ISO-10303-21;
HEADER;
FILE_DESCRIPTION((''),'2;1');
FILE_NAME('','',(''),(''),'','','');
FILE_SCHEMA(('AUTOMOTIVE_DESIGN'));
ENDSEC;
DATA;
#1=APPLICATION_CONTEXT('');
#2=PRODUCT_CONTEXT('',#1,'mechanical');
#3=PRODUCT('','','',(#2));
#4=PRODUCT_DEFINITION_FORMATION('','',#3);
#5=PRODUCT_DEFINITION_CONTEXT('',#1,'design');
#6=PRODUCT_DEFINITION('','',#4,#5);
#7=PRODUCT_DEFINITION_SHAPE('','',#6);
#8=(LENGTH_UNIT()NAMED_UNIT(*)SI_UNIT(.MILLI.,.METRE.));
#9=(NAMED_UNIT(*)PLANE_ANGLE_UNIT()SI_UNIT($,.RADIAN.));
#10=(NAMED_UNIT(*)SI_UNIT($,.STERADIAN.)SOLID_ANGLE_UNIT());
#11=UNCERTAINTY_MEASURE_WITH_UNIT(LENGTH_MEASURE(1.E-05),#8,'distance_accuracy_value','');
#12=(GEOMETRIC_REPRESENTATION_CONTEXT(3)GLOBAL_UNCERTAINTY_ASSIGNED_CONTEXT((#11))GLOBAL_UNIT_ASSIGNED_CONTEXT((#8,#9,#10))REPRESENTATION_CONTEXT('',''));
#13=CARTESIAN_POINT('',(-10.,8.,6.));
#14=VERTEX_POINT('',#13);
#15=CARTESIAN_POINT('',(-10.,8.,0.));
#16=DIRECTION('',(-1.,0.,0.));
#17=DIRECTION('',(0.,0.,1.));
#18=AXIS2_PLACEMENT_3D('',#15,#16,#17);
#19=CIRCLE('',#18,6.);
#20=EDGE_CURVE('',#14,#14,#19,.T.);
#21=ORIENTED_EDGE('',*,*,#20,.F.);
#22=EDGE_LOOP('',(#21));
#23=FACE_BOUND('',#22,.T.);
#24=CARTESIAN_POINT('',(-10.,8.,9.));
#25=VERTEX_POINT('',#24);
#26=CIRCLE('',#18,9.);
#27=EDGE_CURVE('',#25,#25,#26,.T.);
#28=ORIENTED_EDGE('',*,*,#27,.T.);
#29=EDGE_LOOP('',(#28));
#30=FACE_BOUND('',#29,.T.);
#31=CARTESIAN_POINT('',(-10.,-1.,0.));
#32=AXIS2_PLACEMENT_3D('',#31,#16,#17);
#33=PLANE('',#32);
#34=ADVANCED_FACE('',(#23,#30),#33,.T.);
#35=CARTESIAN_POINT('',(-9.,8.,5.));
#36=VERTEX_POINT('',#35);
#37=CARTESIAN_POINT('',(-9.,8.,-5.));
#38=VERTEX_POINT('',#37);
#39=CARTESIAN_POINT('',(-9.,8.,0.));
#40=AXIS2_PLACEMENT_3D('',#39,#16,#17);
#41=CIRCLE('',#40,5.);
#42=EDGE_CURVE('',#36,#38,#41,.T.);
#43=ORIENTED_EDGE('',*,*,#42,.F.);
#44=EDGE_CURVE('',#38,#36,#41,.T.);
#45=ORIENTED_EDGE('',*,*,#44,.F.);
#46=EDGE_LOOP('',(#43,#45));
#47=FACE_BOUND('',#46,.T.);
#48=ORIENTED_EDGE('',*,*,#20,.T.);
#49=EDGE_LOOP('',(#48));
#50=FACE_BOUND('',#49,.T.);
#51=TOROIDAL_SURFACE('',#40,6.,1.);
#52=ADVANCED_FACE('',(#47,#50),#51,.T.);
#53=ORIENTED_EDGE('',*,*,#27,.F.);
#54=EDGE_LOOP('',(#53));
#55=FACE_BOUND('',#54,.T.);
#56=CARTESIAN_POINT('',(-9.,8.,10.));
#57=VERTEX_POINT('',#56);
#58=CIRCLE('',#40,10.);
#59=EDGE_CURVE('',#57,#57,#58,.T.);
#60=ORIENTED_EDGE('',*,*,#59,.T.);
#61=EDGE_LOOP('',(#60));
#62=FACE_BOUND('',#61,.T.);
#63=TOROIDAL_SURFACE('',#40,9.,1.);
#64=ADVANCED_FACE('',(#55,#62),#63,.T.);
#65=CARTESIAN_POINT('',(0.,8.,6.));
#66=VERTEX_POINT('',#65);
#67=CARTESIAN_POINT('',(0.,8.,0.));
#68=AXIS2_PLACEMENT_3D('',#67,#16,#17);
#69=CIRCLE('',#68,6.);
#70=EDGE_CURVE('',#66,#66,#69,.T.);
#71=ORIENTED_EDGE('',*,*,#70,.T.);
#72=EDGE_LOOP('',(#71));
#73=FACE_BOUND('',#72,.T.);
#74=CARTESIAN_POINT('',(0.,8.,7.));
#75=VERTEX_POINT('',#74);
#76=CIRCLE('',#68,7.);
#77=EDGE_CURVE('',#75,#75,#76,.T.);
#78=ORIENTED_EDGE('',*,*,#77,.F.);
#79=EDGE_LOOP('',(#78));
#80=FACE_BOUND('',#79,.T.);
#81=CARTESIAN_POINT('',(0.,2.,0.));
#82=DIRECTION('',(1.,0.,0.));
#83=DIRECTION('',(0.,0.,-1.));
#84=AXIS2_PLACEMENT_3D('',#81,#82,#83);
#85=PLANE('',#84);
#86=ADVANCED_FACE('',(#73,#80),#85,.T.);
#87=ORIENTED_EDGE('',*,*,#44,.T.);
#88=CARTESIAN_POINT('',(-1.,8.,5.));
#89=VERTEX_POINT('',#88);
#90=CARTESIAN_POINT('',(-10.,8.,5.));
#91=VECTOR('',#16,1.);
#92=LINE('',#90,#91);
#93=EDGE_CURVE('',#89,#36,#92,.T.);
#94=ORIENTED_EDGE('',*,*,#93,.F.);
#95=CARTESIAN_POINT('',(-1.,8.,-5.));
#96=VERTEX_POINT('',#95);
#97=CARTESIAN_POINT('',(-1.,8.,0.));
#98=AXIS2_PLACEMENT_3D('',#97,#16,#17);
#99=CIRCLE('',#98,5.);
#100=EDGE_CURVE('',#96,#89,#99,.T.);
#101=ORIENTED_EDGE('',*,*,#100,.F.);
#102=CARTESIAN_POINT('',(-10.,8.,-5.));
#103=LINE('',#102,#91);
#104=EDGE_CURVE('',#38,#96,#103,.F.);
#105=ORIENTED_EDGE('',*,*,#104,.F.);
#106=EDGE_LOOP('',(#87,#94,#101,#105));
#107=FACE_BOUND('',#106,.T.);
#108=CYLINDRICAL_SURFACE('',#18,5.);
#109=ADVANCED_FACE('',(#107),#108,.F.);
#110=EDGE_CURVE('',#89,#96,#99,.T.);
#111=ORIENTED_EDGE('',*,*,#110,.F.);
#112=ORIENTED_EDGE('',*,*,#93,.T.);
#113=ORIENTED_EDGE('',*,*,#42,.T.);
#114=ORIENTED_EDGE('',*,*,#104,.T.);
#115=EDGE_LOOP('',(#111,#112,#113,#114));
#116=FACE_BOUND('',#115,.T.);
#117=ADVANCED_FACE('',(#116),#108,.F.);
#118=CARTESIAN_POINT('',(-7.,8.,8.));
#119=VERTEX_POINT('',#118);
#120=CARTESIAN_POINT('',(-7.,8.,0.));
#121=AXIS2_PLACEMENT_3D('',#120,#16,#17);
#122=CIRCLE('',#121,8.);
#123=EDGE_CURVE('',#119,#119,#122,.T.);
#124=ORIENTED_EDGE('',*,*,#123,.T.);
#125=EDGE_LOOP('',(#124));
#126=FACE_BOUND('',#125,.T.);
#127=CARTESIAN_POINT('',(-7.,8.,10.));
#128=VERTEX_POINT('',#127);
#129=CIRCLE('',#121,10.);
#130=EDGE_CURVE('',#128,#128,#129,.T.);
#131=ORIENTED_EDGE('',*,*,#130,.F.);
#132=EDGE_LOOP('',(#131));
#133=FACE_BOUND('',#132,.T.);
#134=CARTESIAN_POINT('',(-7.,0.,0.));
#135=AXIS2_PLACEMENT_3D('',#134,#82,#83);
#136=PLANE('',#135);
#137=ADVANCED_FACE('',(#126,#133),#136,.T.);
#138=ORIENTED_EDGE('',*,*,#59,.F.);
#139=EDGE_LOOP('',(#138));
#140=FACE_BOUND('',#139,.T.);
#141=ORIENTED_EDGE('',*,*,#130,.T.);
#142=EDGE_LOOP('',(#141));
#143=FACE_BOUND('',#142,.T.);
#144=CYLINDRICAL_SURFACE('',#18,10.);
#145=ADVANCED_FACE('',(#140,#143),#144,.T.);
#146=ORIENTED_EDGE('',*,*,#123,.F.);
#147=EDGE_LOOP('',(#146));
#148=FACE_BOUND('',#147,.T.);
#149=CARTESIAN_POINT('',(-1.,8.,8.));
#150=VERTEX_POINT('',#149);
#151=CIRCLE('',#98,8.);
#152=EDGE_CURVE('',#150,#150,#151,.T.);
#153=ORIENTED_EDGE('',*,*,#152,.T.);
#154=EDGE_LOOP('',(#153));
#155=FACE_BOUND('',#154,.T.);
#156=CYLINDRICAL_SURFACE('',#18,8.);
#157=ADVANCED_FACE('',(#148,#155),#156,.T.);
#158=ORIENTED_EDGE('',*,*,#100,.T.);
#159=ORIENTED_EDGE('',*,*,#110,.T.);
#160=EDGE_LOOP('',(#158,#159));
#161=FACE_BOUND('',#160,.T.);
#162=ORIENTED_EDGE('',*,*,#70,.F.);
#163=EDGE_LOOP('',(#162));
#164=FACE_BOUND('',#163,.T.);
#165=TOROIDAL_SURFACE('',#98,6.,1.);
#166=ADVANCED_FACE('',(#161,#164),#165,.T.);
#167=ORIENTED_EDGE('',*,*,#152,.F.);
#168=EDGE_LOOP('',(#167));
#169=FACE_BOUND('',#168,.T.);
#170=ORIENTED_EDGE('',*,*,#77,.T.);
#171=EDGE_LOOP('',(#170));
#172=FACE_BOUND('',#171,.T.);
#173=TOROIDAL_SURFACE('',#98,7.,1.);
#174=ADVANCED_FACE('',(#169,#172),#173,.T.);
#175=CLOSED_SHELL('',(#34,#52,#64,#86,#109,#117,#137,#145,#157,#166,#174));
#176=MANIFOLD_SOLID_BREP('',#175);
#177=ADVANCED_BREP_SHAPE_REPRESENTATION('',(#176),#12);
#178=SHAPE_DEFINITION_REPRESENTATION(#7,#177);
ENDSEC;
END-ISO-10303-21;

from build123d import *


with BuildPart() as part:
    # Sketch1 → Revolve1 (revolve)
    with BuildSketch(Plane.XY):
        with BuildLine():
            Line((-1, 0), (-7, 0))
            Line((-7, 0), (-7, -2))
            Line((-7, -2), (-9, -2))
            ThreePointArc((-9, -2), (-9.707106781, -1.707106781), (-10, -1))
            Line((-10, -1), (-10, 2))
            ThreePointArc((-10, 2), (-9.707106781, 2.707106781), (-9, 3))
            Line((-9, 3), (-1, 3))
            ThreePointArc((-1, 3), (-0.292893219, 2.707106781), (0, 2))
            Line((0, 2), (0, 1))
            ThreePointArc((0, 1), (-0.292893219, 0.292893219), (-1, 0))
        make_face()
    revolve(axis=Axis((-10, 8, 0), (1, 0, 0)))


solid = part.part
